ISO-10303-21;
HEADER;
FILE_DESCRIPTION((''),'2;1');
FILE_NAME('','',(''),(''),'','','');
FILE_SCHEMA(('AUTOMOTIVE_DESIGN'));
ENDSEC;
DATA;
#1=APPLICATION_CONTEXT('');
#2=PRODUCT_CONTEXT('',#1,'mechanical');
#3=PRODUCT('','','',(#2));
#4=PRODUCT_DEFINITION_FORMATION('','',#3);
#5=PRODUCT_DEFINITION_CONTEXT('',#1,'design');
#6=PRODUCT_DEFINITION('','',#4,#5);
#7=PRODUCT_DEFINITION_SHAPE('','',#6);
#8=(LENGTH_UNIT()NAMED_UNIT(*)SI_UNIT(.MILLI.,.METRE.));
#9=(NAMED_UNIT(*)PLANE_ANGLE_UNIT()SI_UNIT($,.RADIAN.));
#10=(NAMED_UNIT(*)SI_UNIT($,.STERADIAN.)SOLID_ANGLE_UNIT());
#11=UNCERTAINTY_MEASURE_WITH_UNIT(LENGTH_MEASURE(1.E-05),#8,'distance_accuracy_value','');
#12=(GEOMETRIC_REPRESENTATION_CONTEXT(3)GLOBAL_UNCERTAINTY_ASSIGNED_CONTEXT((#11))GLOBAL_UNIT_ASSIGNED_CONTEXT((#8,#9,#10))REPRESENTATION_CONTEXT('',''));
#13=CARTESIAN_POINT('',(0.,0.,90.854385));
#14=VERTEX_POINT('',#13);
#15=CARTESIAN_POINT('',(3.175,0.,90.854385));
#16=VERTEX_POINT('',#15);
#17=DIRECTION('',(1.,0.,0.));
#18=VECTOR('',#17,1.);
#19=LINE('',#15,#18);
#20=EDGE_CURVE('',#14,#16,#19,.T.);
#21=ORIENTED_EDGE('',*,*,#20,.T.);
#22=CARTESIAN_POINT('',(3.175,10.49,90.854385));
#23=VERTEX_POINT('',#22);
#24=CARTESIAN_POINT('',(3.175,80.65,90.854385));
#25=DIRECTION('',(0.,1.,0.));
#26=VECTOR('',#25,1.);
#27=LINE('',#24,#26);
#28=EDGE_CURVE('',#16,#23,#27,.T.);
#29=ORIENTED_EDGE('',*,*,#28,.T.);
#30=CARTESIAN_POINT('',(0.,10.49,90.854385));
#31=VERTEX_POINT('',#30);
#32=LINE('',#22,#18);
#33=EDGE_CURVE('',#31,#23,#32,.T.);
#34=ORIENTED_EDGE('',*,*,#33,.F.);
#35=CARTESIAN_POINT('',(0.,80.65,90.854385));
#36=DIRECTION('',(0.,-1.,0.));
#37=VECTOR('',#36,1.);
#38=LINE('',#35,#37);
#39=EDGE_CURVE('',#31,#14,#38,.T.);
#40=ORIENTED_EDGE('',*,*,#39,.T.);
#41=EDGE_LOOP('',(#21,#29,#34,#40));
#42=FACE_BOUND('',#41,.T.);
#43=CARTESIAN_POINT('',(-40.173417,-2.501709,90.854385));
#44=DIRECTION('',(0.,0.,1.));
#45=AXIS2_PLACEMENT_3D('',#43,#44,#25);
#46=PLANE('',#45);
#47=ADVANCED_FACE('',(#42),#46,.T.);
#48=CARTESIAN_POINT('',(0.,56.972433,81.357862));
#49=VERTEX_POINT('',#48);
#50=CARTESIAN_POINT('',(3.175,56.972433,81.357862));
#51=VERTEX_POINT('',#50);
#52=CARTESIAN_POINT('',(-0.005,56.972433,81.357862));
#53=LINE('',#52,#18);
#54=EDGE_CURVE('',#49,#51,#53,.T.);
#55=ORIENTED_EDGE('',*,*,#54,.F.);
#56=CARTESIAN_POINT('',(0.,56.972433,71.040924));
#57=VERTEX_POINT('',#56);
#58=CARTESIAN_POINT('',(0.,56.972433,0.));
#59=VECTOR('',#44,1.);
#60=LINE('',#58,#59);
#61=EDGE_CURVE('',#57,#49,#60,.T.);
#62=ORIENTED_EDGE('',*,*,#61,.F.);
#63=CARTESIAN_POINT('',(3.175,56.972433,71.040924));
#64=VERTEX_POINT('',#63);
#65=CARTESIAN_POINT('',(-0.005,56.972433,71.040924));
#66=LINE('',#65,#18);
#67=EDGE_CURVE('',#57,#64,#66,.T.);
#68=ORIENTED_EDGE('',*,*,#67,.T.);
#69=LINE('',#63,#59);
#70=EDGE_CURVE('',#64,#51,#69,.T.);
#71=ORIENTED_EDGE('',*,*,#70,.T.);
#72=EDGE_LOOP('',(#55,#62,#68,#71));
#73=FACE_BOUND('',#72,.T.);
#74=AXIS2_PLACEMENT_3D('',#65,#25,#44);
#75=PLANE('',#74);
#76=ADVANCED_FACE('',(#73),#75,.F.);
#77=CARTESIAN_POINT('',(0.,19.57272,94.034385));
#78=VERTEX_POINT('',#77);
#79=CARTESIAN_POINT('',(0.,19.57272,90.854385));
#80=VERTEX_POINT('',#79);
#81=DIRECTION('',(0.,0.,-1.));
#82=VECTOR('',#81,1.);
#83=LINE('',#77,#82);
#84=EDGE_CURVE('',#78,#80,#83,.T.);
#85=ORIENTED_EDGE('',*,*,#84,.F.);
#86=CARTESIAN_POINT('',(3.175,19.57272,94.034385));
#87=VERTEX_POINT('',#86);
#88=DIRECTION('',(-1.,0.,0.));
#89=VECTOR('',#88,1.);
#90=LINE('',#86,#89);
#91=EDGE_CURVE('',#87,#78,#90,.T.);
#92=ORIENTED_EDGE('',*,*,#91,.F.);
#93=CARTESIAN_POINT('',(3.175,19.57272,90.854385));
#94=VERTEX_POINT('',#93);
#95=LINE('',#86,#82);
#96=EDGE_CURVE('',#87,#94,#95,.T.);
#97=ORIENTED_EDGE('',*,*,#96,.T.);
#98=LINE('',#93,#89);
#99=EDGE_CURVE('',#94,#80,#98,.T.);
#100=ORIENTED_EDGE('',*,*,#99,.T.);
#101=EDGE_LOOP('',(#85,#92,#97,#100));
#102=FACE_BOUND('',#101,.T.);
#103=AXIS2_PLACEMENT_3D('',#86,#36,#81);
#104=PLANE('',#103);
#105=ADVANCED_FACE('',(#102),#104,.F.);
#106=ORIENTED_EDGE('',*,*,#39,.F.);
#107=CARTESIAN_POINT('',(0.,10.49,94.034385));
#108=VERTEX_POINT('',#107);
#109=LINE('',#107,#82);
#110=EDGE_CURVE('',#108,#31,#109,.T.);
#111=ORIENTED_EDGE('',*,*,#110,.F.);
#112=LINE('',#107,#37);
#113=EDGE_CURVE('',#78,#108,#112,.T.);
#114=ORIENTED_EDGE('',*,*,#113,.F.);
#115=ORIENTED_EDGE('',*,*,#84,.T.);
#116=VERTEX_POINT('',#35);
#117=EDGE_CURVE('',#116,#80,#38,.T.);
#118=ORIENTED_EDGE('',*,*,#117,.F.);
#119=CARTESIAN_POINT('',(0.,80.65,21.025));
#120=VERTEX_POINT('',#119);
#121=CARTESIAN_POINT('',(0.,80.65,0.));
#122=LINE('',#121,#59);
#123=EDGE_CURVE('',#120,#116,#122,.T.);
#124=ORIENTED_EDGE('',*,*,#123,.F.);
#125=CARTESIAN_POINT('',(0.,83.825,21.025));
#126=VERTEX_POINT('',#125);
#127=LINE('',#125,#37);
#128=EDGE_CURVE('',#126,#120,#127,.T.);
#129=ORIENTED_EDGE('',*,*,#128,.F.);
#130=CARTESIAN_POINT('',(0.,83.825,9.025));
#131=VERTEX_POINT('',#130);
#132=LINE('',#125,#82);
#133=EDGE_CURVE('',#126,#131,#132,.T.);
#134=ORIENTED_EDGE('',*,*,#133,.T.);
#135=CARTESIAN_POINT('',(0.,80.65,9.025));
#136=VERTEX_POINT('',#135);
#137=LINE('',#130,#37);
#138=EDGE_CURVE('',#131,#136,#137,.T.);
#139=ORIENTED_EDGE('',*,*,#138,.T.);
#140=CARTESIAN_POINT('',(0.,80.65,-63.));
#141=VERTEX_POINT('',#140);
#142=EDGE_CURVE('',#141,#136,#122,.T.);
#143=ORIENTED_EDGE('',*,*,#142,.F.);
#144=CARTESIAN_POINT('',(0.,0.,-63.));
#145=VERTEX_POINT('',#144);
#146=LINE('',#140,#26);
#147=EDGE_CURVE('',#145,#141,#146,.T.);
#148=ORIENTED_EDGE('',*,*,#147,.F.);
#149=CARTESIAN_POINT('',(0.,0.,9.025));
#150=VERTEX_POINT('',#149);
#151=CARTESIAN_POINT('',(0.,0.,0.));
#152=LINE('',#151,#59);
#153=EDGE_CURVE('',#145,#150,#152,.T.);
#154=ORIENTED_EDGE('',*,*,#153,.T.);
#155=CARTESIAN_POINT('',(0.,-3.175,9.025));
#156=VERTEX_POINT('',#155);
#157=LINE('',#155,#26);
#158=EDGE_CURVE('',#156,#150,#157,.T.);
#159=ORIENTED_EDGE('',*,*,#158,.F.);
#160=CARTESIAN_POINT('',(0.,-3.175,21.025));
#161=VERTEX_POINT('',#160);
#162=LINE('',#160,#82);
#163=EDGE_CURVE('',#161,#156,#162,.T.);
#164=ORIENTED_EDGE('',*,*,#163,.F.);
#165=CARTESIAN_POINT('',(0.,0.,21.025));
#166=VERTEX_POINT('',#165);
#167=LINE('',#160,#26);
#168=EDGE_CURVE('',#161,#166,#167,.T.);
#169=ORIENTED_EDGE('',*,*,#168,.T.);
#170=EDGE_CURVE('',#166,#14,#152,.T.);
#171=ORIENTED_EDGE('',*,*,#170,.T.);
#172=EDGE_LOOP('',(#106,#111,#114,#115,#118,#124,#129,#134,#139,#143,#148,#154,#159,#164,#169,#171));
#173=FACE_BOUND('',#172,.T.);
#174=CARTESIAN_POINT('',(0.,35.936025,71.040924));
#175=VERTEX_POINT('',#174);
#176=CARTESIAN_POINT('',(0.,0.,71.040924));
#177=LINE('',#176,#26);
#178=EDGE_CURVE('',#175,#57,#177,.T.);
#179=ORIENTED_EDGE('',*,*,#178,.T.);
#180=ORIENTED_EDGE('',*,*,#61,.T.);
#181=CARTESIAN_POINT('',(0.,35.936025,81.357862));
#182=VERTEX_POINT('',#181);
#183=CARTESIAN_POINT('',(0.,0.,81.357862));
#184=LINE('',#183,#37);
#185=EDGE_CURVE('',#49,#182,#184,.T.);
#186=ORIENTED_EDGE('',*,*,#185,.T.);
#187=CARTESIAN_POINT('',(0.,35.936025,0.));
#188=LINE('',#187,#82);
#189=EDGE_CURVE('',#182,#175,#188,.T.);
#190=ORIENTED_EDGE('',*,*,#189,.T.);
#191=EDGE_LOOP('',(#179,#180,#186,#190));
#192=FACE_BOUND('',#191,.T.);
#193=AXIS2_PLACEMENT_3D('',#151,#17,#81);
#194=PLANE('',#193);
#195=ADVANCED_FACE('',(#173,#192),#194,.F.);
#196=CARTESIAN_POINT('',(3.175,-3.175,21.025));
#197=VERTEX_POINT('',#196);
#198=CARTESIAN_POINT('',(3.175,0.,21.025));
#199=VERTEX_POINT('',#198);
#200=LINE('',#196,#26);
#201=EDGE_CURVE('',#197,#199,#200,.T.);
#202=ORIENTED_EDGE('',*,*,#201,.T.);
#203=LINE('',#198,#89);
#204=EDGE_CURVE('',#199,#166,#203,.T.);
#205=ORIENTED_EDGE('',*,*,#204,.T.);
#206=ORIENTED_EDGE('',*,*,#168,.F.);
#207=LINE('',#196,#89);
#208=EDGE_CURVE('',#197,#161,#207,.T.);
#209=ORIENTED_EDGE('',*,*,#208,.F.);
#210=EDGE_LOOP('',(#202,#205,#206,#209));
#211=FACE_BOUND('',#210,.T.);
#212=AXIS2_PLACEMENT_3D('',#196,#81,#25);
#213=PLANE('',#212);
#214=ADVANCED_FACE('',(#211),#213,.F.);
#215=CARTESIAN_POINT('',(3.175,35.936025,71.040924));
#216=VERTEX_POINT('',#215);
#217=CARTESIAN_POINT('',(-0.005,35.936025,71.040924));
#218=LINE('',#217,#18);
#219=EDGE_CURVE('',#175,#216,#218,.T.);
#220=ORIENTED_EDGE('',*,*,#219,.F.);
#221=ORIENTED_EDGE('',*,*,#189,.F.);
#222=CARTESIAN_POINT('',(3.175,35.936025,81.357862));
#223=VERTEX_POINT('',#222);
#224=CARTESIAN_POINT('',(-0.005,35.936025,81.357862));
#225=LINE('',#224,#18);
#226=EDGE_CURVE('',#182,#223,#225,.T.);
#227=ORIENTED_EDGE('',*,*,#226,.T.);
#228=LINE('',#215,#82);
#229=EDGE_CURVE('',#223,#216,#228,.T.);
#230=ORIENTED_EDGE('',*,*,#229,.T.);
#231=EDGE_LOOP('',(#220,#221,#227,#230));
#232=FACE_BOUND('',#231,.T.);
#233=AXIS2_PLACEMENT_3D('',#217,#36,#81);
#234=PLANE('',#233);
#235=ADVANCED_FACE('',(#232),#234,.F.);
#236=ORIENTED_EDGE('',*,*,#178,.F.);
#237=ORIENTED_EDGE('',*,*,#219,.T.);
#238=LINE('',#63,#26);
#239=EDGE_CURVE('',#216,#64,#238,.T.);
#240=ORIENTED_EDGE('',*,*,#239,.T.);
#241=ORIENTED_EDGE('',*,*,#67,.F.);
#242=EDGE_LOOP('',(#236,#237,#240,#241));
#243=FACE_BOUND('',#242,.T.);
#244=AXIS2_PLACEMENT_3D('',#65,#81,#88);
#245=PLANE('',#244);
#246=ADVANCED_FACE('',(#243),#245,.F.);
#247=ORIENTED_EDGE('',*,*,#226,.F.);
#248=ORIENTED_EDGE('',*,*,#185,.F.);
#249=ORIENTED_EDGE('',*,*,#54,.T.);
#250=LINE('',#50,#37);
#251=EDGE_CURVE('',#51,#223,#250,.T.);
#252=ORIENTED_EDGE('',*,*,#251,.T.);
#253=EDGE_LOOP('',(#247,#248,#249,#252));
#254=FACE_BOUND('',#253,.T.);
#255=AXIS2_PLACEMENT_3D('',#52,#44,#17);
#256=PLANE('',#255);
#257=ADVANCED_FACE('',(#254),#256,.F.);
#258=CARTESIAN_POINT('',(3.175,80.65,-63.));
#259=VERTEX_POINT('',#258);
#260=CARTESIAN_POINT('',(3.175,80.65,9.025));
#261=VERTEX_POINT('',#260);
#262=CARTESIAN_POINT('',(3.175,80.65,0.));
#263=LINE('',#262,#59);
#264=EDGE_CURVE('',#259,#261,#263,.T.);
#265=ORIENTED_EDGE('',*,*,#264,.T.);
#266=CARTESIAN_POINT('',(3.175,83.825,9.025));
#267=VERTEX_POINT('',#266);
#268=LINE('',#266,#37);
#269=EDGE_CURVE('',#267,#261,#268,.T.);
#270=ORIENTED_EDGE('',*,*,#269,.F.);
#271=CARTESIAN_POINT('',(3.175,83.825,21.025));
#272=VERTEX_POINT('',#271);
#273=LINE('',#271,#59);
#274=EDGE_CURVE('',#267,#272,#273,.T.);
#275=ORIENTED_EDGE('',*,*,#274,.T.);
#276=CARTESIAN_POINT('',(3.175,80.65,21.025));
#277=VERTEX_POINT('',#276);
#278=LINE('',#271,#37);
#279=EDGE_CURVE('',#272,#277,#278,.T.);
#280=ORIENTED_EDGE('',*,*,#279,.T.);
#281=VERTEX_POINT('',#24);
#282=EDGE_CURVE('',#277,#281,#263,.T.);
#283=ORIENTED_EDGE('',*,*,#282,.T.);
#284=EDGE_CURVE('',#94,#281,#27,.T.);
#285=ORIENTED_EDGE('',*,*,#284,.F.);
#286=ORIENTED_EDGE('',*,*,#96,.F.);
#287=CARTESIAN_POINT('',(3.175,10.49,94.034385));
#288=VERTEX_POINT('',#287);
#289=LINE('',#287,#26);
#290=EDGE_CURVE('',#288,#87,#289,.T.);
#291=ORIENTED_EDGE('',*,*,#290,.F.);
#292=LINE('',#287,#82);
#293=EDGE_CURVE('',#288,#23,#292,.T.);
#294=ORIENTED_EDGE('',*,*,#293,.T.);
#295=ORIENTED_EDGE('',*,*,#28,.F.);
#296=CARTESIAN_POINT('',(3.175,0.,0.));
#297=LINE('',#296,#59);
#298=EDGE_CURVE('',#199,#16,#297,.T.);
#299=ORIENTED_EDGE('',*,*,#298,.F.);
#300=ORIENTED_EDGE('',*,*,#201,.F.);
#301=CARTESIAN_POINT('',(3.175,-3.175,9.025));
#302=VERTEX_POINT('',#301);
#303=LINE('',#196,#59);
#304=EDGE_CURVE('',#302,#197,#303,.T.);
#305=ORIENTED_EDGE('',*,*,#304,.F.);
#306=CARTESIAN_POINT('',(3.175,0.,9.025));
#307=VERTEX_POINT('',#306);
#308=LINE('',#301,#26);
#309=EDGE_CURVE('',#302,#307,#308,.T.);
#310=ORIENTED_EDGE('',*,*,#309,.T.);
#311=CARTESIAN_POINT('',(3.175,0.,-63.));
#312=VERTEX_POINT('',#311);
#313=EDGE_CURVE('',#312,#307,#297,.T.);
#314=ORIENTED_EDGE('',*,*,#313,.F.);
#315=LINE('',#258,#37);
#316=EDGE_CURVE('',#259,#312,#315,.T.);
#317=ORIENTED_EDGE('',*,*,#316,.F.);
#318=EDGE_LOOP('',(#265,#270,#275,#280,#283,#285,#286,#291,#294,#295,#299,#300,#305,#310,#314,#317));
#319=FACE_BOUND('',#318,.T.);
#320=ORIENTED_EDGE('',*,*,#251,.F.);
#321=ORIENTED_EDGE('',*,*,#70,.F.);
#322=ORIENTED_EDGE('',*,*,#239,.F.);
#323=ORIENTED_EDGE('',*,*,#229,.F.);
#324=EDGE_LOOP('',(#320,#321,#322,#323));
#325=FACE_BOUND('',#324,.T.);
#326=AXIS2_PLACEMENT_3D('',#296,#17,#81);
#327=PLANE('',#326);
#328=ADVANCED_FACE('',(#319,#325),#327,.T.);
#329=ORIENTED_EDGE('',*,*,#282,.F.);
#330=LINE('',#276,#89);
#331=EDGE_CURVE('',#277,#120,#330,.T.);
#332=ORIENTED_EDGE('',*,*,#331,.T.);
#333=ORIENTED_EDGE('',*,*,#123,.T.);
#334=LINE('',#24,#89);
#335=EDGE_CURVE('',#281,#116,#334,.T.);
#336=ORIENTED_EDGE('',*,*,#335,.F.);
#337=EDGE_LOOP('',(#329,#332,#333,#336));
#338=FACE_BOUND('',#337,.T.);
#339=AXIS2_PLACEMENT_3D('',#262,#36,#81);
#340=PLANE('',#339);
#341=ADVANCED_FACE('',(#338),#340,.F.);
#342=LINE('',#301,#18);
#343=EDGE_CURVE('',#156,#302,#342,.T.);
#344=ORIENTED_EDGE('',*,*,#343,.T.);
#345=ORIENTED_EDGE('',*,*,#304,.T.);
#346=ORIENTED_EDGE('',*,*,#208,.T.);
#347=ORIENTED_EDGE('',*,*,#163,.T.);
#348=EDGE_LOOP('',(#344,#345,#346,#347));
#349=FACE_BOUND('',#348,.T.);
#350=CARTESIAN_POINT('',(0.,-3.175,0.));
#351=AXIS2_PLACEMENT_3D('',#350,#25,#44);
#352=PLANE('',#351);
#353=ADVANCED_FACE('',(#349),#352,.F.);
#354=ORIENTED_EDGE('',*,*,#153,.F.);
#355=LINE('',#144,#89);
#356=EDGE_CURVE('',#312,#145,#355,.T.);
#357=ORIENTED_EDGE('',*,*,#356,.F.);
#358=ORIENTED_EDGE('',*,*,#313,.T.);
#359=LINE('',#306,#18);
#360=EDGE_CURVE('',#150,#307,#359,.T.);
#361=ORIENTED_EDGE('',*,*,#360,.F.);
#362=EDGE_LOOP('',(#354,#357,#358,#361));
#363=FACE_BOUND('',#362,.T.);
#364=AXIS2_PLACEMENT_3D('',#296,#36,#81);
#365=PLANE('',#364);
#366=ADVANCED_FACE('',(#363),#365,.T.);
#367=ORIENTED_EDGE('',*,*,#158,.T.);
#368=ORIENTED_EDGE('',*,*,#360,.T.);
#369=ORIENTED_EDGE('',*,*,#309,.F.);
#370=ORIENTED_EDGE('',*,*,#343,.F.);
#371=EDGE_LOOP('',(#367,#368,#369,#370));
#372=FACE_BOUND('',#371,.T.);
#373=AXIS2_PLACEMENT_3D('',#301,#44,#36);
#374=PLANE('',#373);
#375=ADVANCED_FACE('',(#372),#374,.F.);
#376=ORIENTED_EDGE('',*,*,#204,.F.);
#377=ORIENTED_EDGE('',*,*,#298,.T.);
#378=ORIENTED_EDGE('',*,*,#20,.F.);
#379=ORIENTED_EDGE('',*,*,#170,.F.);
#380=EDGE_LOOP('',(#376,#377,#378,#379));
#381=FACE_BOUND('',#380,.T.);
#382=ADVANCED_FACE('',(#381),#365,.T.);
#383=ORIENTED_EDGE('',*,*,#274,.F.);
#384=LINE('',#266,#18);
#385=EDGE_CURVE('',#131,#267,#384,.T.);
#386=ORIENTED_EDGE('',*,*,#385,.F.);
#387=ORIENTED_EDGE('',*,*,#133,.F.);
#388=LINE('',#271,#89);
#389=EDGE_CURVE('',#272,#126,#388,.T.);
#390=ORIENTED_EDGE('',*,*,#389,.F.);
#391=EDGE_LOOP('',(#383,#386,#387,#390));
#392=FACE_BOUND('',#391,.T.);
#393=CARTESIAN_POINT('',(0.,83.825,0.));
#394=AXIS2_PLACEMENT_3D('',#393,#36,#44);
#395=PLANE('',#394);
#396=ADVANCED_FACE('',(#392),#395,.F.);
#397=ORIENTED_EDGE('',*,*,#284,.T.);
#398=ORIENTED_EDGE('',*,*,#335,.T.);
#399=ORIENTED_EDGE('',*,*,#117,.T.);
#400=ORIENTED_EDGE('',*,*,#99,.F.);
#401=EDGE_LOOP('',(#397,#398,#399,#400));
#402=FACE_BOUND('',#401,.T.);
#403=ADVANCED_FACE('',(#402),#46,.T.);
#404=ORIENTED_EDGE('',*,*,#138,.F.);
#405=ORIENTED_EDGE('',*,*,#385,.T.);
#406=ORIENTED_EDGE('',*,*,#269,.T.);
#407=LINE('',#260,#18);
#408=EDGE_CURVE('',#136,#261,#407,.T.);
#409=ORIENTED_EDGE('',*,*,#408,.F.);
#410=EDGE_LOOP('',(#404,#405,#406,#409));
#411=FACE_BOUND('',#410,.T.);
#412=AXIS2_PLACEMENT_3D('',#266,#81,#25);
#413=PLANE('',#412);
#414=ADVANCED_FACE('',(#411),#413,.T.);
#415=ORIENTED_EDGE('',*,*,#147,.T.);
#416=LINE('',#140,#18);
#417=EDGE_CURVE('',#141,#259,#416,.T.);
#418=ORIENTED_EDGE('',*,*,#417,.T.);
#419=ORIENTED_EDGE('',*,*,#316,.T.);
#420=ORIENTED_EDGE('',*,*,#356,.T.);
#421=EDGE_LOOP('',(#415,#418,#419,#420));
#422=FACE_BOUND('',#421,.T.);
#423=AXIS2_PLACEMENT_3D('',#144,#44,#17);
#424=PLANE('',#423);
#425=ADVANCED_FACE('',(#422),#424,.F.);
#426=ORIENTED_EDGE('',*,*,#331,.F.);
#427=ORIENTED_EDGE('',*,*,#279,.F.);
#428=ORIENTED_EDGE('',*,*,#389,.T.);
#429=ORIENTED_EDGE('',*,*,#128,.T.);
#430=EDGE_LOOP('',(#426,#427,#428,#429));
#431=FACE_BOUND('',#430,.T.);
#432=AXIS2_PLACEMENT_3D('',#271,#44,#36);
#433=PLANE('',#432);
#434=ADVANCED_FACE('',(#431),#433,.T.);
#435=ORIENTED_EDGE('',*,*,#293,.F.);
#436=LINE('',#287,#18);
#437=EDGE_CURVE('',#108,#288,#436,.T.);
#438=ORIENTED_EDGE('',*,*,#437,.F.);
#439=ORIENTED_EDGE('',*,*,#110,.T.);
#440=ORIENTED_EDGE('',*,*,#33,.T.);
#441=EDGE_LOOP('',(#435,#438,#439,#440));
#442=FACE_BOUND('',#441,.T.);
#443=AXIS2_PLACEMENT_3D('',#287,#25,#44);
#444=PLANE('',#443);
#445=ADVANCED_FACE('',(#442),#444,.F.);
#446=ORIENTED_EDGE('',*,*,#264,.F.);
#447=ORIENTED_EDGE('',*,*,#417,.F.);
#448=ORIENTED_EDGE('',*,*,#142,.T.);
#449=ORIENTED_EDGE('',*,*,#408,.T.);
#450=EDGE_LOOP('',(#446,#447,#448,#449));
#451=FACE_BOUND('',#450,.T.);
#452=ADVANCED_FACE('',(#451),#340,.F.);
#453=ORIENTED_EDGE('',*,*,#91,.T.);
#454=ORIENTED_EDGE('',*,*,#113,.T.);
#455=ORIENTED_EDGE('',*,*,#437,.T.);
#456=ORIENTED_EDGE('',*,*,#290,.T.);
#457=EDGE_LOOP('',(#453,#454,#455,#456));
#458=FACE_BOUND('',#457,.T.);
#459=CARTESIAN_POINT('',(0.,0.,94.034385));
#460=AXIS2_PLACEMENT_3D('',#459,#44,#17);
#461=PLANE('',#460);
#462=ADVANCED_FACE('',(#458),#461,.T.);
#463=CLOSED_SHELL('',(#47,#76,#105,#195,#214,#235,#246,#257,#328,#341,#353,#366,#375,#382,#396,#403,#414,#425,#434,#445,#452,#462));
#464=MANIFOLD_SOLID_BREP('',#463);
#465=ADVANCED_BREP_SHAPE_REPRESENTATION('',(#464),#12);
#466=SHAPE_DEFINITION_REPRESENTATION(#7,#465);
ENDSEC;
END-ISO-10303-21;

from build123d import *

# Parameters (mm, degrees)
SKETCH1_W           = 38.1
SKETCH1_H           = 40.325
BOSS_EXTRUDE1_DEPTH = 3.175
SKETCH3_W           = 3.175
SKETCH3_H           = 10.49
SKETCH3_H_2         = 20.695
CUT_EXTRUDE2_DEPTH  = 4.175
SKETCH5_W           = 3.175
SKETCH5_H           = 12
BOSS_EXTRUDE2_DEPTH = 3.175
SKETCH7_W           = 3.175
SKETCH7_H           = 80.65
BOSS_EXTRUDE3_DEPTH = 63
SKETCH8_W           = 3.175
SKETCH8_H           = 80.65
BOSS_EXTRUDE4_DEPTH = 55.929385
SKETCH9_W           = 3.175
SKETCH9_H           = 9.082720128
BOSS_EXTRUDE5_DEPTH = 3.18
SKETCH10_W          = 10.316938
SKETCH10_H          = 21.036408148
CUT_EXTRUDE3_DEPTH  = 3.18


with BuildPart() as part:
    # Sketch1 → Boss-Extrude1 (new body)
    with BuildSketch(Plane(origin=(0, 0, 0), x_dir=(0, 0, -1), z_dir=(1, 0, 0))):
        with Locations((-19.05, 20.1625)):
            Rectangle(SKETCH1_W, SKETCH1_H)
    boss_extrude1 = extrude(amount=BOSS_EXTRUDE1_DEPTH)

    # Sketch3 → Cut-Extrude2 (cut, through all)
    with BuildSketch(Plane(origin=(3.175, 0, 0), x_dir=(0, 0, -1), z_dir=(1, 0, 0))):
        with Locations((-36.5125, 35.08)):
            Rectangle(SKETCH3_W, SKETCH3_H)
        with Locations((-36.5125, 10.3475)):
            Rectangle(SKETCH3_W, SKETCH3_H_2)
    cut_extrude2 = extrude(amount=-CUT_EXTRUDE2_DEPTH, mode=Mode.SUBTRACT)

    # Sketch5 → Boss-Extrude2 (add)
    with BuildSketch(Plane(origin=(0, 0, 0), x_dir=(-1, 0, 0), z_dir=(0, -1, 0))):
        with Locations((-1.5875, -15.025)):
            Rectangle(SKETCH5_W, SKETCH5_H)
    boss_extrude2 = extrude(amount=BOSS_EXTRUDE2_DEPTH)

    # Mirror1: Boss-Extrude1, Cut-Extrude2, Boss-Extrude2 across plane
    add(boss_extrude1.mirror(Plane(origin=(3.175, 40.325, 0), x_dir=(0, 0, 1), z_dir=(0, -1, 0))))
    add(cut_extrude2.mirror(Plane(origin=(3.175, 40.325, 0), x_dir=(0, 0, 1), z_dir=(0, -1, 0))), mode=Mode.SUBTRACT)
    add(boss_extrude2.mirror(Plane(origin=(3.175, 40.325, 0), x_dir=(0, 0, 1), z_dir=(0, -1, 0))))

    # Sketch7 → Boss-Extrude3 (add)
    with BuildSketch(Plane(origin=(0, 0, 0), x_dir=(-1, 0, 0), z_dir=(0, 0, -1))):
        with Locations((-1.5875, 40.325)):
            Rectangle(SKETCH7_W, SKETCH7_H)
    extrude(amount=BOSS_EXTRUDE3_DEPTH)

    # Sketch8 → Boss-Extrude4 (add)
    with BuildSketch(Plane.XY.offset(34.925)):
        with Locations((1.5875, 40.325)):
            Rectangle(SKETCH8_W, SKETCH8_H)
    extrude(amount=BOSS_EXTRUDE4_DEPTH)

    # Sketch9 → Boss-Extrude5 (add)
    with BuildSketch(Plane.XY.offset(90.85438473)):
        with Locations((1.5875, 15.031360064)):
            Rectangle(SKETCH9_W, SKETCH9_H)
    extrude(amount=BOSS_EXTRUDE5_DEPTH)

    # Sketch10 → Cut-Extrude3 (cut)
    with BuildSketch(Plane(origin=(3.175, 0, 0), x_dir=(0, 0, -1), z_dir=(1, 0, 0))):
        with Locations((-76.199393077, 46.454229061)):
            Rectangle(SKETCH10_W, SKETCH10_H)
    extrude(amount=-CUT_EXTRUDE3_DEPTH, mode=Mode.SUBTRACT)


solid = part.part
